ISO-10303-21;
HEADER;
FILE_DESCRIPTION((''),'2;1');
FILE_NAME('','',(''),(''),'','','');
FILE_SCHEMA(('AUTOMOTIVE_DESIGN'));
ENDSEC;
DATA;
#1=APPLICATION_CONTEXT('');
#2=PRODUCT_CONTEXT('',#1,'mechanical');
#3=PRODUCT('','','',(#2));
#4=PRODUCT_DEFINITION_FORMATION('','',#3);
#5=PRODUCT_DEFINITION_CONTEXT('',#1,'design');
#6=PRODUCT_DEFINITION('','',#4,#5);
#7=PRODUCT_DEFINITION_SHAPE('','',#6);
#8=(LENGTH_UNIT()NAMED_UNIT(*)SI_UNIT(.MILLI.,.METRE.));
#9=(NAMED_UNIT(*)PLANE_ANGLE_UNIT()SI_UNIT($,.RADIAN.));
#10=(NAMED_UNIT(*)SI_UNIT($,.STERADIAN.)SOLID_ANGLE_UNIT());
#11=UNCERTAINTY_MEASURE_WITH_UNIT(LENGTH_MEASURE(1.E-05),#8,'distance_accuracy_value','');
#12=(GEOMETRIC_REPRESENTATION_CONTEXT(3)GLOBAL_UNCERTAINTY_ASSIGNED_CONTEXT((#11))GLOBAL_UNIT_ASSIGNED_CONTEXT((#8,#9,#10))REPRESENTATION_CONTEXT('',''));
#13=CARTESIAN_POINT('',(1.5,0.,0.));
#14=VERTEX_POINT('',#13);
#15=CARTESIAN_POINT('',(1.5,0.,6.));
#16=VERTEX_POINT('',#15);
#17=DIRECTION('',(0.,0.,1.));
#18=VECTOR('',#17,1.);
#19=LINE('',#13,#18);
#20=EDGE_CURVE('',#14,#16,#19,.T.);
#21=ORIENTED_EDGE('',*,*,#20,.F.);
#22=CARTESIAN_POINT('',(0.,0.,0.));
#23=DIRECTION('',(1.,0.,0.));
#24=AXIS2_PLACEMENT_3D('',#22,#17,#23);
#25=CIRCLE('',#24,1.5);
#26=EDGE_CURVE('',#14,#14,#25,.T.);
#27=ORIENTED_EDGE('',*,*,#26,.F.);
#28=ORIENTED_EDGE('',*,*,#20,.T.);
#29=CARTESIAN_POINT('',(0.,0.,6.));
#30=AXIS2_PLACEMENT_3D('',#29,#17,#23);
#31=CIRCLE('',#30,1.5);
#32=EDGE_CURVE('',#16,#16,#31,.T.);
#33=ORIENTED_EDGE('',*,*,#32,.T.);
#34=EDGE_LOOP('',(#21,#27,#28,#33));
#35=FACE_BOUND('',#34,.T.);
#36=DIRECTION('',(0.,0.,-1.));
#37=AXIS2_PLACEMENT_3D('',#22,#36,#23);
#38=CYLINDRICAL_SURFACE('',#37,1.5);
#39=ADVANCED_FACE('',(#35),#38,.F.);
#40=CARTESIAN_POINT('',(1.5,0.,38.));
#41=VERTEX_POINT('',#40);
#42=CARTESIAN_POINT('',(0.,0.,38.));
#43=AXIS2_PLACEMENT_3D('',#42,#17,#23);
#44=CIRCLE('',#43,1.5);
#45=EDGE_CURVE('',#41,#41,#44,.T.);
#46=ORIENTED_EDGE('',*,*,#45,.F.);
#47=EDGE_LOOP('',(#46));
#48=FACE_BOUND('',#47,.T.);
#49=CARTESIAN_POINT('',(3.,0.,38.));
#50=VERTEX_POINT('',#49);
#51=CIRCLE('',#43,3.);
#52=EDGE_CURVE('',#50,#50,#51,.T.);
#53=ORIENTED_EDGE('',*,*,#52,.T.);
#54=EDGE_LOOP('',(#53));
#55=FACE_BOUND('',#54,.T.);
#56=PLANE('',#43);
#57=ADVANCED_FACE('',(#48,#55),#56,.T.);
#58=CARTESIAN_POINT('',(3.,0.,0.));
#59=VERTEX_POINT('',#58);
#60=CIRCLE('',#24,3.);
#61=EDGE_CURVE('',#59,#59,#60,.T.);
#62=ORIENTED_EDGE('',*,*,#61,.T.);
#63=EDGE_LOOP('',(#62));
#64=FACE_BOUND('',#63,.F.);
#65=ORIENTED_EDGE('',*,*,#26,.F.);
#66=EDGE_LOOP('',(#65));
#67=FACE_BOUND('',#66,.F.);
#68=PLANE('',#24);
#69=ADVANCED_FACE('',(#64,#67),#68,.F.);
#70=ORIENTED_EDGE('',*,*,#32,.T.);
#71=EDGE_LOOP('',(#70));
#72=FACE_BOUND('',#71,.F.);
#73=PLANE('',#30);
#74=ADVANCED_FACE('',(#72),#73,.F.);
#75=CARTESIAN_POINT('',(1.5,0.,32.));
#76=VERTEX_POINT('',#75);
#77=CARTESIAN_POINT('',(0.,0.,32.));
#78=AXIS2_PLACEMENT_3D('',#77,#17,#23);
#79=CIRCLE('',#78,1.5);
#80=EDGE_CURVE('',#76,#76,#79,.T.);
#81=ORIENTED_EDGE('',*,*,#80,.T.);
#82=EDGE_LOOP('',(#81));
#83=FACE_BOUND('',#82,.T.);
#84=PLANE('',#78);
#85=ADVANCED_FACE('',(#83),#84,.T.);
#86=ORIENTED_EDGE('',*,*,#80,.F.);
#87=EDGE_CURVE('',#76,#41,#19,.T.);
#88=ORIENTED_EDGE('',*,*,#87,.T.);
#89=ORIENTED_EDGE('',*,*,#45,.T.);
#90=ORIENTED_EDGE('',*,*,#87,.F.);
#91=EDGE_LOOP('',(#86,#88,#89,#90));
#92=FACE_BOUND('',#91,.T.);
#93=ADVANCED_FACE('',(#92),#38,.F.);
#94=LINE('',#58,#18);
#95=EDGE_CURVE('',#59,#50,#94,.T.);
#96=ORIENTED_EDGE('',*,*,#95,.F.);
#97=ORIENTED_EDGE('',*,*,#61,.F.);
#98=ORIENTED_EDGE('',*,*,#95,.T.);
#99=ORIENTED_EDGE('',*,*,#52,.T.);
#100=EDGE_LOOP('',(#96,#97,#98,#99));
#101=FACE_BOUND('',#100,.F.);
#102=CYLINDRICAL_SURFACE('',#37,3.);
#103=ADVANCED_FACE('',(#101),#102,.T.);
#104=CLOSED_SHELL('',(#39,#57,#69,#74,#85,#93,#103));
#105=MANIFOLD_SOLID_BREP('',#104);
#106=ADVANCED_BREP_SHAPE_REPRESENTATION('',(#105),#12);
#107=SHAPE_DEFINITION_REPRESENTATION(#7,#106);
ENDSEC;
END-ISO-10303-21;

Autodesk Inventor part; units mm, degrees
ref_plane "YZ Plane" through (0, 0, 0) normal (1, 0, 0) x (0, 1, 0)
ref_plane "XZ Plane" through (0, 0, 0) normal (0, 1, 0) x (-1, 0, 0)
sketch "スケッチ1" plane through (0, 0, 0) normal (0, 0, 1) x (1, 0, 0)
  circle A0 centre (0, 0) radius 1.5
  circle A1 centre (0, 0) radius 3
  dimension "d0" = 3
  dimension "d1" = 6
extrude "押し出し1" add sketch "スケッチ1" along normal blind 38
ref_plane "作業平面1" through (0, 0, 32) normal (0, 0, 1) x (1, 0, 0)
sketch "スケッチ3" plane through (0, 0, 32) normal (0, 0, 1) x (1, 0, 0)
  circle A0 centre (0, 0) radius 1.5 projected
extrude "押し出し3" add sketch "スケッチ3" against normal blind 26
properties part number "スペーサーm3,38 自作" material "アルミニウム 7075"
